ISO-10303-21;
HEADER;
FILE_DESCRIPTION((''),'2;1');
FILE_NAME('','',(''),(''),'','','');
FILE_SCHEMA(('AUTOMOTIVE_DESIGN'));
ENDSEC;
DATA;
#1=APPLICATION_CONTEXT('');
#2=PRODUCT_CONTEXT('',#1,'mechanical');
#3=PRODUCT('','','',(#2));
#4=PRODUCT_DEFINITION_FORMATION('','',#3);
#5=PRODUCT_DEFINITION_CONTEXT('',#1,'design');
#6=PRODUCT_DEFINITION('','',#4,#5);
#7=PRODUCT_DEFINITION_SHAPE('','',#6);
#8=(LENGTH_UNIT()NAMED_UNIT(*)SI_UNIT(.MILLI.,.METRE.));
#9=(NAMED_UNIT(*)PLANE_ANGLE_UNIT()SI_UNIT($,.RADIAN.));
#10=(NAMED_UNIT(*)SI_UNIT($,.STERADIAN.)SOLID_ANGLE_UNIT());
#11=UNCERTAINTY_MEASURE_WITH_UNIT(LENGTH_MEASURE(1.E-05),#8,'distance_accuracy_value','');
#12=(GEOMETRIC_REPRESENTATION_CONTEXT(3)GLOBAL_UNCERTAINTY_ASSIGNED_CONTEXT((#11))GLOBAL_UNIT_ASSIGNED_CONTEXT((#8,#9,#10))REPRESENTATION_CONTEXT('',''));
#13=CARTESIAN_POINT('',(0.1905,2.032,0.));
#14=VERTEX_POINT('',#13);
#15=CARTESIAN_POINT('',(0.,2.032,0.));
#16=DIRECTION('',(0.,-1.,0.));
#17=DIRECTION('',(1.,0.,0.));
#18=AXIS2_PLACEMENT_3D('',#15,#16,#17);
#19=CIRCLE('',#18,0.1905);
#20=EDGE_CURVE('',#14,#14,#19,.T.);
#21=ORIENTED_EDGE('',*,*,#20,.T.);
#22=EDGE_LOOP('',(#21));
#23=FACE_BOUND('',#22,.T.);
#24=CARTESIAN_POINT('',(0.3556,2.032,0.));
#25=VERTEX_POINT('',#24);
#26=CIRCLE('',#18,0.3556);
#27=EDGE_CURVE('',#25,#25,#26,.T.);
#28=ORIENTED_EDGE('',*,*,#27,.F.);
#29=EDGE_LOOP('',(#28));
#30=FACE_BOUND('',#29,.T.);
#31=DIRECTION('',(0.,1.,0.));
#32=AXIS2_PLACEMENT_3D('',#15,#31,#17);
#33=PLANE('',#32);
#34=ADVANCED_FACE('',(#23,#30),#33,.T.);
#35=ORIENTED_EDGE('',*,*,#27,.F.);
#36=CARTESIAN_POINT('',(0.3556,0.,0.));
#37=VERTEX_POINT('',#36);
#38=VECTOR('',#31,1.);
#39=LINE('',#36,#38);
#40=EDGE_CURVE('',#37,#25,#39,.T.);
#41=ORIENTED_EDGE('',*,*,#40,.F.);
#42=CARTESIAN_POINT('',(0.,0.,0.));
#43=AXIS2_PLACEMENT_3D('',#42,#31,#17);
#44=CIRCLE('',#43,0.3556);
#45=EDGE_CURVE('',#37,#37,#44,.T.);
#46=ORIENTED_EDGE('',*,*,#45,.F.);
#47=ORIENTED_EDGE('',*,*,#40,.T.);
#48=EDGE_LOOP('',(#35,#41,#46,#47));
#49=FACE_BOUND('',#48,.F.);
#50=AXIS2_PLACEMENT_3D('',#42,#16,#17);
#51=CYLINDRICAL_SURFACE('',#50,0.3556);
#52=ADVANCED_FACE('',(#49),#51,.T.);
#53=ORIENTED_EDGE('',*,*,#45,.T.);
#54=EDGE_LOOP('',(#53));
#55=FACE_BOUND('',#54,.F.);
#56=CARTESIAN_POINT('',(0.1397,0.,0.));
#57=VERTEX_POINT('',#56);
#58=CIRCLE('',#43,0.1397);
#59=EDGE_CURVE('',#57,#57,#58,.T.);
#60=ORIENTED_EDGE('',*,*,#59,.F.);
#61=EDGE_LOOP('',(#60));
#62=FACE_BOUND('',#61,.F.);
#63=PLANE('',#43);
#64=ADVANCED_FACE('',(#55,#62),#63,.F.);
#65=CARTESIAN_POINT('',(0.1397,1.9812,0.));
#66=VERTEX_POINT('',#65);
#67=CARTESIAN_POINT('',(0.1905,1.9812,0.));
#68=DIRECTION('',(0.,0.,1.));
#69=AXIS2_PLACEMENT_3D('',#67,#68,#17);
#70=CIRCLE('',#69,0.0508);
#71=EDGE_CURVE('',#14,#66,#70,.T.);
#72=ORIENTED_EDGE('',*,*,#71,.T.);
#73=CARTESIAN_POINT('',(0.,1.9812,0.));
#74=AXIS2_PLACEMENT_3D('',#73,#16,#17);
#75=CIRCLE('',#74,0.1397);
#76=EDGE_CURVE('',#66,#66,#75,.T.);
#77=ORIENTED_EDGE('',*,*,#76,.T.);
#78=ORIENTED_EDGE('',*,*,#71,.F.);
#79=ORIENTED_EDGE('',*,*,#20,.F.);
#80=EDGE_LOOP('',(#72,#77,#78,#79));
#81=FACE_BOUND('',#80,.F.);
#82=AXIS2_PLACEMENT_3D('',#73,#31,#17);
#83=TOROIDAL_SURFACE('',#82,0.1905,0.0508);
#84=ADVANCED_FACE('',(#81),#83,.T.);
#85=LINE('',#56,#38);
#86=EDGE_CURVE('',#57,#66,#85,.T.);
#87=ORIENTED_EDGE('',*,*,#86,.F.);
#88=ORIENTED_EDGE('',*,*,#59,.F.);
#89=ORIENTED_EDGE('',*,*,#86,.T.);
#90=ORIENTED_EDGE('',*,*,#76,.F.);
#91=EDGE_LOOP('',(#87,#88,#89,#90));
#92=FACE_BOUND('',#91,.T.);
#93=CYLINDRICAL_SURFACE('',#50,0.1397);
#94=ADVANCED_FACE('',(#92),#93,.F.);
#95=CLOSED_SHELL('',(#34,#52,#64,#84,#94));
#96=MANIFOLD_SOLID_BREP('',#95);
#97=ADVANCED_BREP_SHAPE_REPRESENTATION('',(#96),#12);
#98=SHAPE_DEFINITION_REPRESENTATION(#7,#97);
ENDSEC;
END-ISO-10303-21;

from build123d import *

# Parameters (mm, degrees)
SKETCH1_R           = 0.3556
SKETCH1_R_2         = 0.1397
BOSS_EXTRUDE1_DEPTH = 2.159
SKETCH2_R           = 0.4064
CUT_EXTRUDE1_DEPTH  = 0.127
FILLET1_R           = 0.0508


with BuildPart() as part:
    # Sketch1 → Boss-Extrude1 (new body)
    with BuildSketch(Plane(origin=(0, 0, 0), x_dir=(1, 0, 0), z_dir=(0, 1, 0))):
        Circle(SKETCH1_R)
        Circle(SKETCH1_R_2, mode=Mode.SUBTRACT)
    extrude(amount=BOSS_EXTRUDE1_DEPTH)

    # Sketch2 → Cut-Extrude1 (cut)
    with BuildSketch(Plane(origin=(0, 2.159, 0), x_dir=(1, 0, 0), z_dir=(0, 1, 0))):
        Circle(SKETCH2_R)
    extrude(amount=-CUT_EXTRUDE1_DEPTH, mode=Mode.SUBTRACT)

    # Fillet1
    fillet1_edges = [part.edges().sort_by_distance(p)[0] for p in [
        (-0.1397, 2.032, 0),
    ]]
    fillet(fillet1_edges, radius=FILLET1_R)


solid = part.part
